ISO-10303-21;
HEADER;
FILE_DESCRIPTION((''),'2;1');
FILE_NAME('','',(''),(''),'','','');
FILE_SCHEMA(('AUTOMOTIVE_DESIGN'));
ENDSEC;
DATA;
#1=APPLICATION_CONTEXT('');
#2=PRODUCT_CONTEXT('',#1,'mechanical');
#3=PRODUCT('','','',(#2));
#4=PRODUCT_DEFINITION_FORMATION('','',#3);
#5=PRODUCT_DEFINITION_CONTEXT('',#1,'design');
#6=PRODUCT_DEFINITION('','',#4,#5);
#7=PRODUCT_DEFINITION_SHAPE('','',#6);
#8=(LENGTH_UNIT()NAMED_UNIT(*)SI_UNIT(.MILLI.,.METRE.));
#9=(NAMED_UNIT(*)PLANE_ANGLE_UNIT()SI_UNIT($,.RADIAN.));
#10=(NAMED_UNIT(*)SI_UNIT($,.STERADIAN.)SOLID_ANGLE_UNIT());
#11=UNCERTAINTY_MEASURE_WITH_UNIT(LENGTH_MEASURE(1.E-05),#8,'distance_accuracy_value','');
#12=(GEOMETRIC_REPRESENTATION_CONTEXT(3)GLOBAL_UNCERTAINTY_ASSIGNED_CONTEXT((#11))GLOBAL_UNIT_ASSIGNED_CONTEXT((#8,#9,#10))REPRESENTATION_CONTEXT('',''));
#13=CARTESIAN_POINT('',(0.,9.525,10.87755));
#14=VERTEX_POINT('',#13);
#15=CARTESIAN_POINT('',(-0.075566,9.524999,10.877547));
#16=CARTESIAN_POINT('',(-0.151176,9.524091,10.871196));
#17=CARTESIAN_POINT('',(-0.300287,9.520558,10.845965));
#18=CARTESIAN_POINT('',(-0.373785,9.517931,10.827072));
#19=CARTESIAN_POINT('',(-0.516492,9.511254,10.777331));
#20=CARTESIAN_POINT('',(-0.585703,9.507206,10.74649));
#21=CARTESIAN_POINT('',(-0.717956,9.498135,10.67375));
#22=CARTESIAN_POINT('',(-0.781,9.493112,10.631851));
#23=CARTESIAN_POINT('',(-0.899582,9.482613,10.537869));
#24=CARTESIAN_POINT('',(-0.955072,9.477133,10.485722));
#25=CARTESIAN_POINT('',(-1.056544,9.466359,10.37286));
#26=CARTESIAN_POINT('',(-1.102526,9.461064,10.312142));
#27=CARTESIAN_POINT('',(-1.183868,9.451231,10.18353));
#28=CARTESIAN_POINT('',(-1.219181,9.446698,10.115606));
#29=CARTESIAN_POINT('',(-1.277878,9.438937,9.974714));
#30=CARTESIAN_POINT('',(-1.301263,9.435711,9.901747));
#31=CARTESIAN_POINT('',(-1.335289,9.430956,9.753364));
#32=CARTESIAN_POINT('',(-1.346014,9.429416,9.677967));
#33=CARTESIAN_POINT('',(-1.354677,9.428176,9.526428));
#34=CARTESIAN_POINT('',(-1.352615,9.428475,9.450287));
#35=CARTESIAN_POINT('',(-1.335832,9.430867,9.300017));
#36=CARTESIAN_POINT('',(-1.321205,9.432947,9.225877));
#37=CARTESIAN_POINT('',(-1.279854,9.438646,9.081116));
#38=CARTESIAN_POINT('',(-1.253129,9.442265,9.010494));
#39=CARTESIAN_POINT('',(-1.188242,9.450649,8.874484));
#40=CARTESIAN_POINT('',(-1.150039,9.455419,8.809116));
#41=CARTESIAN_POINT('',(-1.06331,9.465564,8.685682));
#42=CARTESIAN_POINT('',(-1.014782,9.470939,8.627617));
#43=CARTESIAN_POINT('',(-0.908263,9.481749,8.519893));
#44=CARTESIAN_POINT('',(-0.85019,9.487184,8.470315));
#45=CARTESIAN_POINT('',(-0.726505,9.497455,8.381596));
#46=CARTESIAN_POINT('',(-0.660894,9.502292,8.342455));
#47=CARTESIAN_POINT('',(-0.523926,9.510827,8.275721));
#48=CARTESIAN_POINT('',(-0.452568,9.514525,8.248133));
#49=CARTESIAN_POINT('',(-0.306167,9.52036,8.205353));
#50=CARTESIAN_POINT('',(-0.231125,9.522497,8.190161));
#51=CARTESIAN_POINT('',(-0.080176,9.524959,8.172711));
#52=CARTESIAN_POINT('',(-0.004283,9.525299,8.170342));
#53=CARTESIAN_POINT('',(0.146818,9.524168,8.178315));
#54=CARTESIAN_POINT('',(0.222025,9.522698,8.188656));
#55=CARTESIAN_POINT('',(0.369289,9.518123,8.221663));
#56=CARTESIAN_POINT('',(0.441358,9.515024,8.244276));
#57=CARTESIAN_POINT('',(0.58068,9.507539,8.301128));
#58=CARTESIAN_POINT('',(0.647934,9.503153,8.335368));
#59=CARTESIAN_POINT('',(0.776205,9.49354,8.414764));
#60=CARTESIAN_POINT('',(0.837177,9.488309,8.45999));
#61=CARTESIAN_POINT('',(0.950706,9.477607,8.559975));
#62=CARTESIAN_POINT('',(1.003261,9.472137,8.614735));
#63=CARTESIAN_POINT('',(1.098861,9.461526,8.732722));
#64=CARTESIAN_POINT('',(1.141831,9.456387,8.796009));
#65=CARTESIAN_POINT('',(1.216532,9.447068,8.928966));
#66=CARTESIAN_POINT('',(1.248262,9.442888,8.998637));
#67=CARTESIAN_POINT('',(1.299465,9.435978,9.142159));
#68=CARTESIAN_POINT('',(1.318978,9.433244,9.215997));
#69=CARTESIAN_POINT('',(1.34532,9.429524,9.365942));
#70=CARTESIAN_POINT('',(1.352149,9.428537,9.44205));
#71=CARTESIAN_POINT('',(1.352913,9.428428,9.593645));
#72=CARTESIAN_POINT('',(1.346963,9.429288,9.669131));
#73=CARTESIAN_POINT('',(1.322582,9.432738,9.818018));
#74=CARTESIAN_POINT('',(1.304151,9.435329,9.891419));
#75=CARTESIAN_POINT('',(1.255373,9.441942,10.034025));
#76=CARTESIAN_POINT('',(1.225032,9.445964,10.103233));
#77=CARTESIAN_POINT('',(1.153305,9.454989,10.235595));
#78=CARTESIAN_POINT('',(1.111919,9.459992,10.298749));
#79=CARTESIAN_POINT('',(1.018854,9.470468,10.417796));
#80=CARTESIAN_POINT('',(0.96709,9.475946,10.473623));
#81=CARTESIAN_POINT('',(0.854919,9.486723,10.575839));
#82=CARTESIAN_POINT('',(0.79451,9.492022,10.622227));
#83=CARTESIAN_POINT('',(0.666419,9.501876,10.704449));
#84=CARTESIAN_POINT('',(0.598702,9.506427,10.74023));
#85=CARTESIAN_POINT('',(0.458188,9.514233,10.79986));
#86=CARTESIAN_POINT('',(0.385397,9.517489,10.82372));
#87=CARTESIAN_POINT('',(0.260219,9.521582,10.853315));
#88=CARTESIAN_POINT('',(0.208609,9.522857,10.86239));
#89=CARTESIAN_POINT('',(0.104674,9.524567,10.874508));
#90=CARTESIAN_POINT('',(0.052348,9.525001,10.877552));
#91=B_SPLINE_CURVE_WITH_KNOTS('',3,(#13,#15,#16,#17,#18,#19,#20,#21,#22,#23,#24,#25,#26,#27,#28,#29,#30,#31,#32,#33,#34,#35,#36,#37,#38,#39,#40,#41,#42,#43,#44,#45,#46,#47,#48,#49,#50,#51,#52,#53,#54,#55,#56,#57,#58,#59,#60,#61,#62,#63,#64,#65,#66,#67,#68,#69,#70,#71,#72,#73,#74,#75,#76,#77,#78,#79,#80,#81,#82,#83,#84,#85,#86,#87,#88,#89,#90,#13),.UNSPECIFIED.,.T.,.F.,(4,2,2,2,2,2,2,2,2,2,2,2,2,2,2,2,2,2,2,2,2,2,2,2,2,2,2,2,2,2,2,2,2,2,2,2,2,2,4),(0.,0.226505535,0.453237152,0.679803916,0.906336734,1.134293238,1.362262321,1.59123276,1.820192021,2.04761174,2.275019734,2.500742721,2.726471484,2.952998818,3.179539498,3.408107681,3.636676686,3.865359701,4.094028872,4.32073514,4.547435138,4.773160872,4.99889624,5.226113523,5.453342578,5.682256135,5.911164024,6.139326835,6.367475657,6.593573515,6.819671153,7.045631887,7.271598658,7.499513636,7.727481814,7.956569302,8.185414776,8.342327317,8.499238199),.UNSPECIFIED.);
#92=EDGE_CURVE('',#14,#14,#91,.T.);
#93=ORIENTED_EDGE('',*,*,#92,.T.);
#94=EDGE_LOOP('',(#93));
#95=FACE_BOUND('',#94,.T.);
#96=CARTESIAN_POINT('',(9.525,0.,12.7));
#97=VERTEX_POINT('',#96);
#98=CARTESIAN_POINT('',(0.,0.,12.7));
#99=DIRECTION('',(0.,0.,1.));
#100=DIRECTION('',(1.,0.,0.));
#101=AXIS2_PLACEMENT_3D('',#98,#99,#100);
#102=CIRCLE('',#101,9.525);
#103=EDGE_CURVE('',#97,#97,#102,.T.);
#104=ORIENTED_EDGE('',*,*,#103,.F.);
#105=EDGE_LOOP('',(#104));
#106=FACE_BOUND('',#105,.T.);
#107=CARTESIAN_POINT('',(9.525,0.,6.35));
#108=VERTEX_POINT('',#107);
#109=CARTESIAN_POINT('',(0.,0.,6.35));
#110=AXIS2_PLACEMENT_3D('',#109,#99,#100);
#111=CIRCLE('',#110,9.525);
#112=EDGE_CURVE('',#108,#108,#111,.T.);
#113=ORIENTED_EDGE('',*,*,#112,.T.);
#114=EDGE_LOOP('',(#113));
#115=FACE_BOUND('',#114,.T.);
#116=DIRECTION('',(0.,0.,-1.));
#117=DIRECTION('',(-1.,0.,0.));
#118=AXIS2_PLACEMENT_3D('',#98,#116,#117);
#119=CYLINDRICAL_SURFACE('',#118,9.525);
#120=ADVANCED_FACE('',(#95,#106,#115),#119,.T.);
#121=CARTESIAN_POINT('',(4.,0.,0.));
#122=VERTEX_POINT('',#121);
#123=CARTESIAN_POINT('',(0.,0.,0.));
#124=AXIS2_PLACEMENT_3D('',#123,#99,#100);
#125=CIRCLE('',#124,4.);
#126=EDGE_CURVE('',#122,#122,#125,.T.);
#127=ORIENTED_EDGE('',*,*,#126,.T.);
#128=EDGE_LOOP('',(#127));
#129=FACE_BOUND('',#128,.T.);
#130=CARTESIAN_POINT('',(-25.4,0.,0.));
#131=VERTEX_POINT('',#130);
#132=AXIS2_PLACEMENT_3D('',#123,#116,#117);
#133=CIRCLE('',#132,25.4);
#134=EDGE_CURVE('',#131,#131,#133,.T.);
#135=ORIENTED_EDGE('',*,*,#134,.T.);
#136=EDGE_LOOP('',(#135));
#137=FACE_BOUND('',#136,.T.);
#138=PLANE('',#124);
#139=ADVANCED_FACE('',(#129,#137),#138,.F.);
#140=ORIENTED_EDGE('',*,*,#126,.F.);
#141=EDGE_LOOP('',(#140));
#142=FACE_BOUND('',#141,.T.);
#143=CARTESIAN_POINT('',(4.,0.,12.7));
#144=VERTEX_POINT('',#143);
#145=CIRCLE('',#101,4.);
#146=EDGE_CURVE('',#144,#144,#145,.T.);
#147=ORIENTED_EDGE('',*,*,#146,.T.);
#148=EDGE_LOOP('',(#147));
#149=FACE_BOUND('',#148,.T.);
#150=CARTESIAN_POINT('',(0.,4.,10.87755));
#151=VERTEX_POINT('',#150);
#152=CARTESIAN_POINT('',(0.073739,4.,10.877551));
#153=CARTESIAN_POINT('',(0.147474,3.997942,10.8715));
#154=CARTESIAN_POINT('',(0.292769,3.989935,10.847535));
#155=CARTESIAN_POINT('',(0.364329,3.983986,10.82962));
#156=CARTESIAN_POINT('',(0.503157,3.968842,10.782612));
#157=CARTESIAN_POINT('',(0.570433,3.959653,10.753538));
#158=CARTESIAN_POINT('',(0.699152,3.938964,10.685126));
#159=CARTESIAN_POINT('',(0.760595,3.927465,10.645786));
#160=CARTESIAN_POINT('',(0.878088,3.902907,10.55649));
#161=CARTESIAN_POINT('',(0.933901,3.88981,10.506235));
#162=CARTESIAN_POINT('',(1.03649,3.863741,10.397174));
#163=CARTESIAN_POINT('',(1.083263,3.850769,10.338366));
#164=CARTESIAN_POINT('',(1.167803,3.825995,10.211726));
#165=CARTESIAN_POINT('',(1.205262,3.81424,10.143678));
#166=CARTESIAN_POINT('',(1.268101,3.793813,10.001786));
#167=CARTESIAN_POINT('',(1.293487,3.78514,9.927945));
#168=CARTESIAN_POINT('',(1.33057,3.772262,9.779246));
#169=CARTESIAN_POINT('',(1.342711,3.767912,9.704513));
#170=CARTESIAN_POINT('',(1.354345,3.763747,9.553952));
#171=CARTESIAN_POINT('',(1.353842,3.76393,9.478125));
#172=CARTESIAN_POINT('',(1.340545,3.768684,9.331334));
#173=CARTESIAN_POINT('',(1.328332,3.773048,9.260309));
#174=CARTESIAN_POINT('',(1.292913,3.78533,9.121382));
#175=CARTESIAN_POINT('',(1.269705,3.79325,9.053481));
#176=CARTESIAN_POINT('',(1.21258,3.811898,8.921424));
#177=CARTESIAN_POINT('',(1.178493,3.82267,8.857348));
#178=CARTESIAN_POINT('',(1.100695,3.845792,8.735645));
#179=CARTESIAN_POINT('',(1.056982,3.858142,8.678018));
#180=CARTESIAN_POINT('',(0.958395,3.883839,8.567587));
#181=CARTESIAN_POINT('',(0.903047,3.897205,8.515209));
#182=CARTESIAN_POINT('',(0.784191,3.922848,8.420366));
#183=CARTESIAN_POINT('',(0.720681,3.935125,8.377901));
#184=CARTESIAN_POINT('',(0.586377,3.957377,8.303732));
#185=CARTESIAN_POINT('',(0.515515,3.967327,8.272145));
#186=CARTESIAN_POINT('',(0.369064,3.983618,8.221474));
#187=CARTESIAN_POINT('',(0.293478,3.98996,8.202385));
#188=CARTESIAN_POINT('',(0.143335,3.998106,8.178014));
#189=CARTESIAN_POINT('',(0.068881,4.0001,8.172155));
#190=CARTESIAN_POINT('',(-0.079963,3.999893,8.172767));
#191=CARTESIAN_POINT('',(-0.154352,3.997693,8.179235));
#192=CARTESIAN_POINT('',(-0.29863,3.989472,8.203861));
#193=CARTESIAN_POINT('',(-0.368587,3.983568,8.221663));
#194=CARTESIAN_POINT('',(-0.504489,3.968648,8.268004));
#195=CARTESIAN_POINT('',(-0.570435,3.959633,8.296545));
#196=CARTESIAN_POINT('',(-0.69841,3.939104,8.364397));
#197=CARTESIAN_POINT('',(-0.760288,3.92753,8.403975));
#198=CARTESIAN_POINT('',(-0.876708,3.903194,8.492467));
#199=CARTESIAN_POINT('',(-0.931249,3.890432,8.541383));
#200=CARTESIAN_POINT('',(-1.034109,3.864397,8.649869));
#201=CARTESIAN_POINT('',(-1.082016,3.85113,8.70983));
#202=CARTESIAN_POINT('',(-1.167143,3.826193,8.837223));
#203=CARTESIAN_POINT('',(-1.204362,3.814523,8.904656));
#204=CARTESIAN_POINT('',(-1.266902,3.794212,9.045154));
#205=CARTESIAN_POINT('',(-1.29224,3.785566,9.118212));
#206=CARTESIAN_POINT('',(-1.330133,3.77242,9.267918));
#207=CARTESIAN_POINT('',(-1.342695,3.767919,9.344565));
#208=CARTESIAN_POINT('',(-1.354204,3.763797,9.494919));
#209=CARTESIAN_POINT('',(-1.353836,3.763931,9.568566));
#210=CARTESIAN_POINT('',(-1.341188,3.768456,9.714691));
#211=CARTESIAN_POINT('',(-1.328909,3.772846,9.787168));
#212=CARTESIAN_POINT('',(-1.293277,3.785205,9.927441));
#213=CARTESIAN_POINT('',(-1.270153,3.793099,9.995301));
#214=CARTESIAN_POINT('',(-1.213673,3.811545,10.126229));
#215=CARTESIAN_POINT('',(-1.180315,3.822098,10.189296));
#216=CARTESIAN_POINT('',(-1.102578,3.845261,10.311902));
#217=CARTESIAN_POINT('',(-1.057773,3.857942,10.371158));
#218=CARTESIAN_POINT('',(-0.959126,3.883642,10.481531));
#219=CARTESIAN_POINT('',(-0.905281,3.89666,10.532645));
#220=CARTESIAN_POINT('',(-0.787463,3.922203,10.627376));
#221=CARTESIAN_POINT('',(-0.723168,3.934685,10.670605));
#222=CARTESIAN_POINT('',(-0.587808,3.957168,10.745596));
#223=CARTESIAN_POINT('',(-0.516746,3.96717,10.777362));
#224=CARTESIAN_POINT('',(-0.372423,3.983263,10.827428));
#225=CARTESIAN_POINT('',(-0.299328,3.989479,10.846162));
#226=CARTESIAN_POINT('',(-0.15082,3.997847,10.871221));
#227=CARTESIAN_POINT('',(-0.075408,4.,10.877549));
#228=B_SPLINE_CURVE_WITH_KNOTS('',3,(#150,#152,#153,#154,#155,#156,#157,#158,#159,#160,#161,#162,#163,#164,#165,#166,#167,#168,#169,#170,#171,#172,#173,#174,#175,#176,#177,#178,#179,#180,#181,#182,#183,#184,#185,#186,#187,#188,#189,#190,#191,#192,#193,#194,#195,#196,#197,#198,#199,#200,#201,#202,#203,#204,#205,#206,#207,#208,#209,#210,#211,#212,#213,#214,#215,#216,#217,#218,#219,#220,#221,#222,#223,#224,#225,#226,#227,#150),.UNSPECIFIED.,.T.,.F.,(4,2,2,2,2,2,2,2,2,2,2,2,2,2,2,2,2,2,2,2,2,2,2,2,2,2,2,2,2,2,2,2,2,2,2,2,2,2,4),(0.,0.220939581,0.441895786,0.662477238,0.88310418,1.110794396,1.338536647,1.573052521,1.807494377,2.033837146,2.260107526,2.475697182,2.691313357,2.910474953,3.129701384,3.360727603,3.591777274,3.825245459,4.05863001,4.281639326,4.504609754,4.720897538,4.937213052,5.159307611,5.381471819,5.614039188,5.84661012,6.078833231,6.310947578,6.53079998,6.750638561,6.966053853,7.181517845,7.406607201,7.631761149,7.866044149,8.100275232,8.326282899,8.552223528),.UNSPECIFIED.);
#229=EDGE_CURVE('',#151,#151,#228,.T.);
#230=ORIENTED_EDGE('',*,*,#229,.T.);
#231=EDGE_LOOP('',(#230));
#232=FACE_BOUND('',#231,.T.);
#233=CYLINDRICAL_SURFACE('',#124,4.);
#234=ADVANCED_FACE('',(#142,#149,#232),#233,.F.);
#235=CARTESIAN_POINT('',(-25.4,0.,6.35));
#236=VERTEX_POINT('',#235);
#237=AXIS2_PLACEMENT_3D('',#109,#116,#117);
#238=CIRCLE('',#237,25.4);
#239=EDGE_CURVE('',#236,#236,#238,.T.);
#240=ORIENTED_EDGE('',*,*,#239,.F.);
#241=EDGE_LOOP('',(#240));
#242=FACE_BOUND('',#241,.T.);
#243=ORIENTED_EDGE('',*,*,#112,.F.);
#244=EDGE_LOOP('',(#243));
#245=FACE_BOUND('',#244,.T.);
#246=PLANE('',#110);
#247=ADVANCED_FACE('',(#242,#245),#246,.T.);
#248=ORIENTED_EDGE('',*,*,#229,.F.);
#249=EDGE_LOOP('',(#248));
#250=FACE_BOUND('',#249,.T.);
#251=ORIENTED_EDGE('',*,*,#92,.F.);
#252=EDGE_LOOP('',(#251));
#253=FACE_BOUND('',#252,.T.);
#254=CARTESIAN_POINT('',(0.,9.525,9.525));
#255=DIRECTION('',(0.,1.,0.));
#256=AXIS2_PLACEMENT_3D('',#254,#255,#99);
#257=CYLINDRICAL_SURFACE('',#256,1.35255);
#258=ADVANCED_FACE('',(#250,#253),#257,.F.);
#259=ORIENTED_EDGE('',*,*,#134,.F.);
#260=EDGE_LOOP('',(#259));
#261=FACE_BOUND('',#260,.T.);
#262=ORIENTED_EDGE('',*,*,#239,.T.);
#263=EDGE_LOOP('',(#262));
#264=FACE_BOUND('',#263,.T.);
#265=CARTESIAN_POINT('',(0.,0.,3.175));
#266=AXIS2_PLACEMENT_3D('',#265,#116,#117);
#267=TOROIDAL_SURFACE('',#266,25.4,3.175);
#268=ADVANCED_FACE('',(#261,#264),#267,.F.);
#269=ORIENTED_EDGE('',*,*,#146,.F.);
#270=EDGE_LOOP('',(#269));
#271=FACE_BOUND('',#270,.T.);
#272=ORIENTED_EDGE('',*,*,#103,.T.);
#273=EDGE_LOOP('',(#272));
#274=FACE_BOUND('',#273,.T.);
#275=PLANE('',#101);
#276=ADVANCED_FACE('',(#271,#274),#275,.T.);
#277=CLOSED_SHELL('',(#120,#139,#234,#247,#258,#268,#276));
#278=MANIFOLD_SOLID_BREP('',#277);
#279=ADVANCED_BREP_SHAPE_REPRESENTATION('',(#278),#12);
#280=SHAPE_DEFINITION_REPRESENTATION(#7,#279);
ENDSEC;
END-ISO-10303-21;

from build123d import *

# Parameters (mm, degrees)
SKETCH1_R                 = 25.4
BOSS_EXTRUDE1_DEPTH       = 6.35
SKETCH2_R                 = 9.525
BOSS_EXTRUDE2_DEPTH       = 6.35
SKETCH3_R                 = 4
CUT_EXTRUDE1_DEPTH        = 12.7
F_6_32_TAPPED_HOLE1_D     = 2.7051
F_6_32_TAPPED_HOLE1_DEPTH = 9.524
F_6_32_TAPPED_HOLE1_TIP   = 0.81269403


with BuildPart() as part:
    # Sketch1 → Boss-Extrude1 (new body)
    with BuildSketch(Plane.XY):
        Circle(SKETCH1_R)
    extrude(amount=BOSS_EXTRUDE1_DEPTH)

    # Sketch2 → Boss-Extrude2 (add)
    with BuildSketch(Plane.XY.offset(6.35)):
        Circle(SKETCH2_R)
    extrude(amount=BOSS_EXTRUDE2_DEPTH)

    # Sketch3 → Cut-Extrude1 (cut)
    with BuildSketch(Plane.XY.offset(12.7)):
        Circle(SKETCH3_R)
    extrude(amount=-CUT_EXTRUDE1_DEPTH, mode=Mode.SUBTRACT)

    # Sketch4 → Cut-Revolve1 (revolve, cut)
    with BuildSketch(Plane(origin=(0, 0, 0), x_dir=(1, 0, 0), z_dir=(0, 1, 0)), mode=Mode.PRIVATE) as cut_revolve1_sk:
        with BuildLine():
            Line((25.4, -6.35), (25.4, 0))
            ThreePointArc((25.4, 0), (22.225, -3.175), (25.4, -6.35))
        make_face()
    revolve(cut_revolve1_sk.sketch.rotate(Axis((0, 0, -6.424339231), (0, 0, 1)), 180), axis=Axis((0, 0, -6.424339231), (0, 0, 1)), mode=Mode.SUBTRACT)

    # #6-32 Tapped Hole1
    with Locations(Plane(origin=(0, 9.525, 9.525), x_dir=(1, 0, 0), z_dir=(0, 1, 0))):
        with Locations((0, 0)):
            Hole(F_6_32_TAPPED_HOLE1_D / 2, depth=F_6_32_TAPPED_HOLE1_DEPTH)
            with Locations((0, 0, -(F_6_32_TAPPED_HOLE1_DEPTH + F_6_32_TAPPED_HOLE1_TIP / 2))):  # 118° drill point
                Cone(0, F_6_32_TAPPED_HOLE1_D / 2, F_6_32_TAPPED_HOLE1_TIP, mode=Mode.SUBTRACT)


solid = part.part
